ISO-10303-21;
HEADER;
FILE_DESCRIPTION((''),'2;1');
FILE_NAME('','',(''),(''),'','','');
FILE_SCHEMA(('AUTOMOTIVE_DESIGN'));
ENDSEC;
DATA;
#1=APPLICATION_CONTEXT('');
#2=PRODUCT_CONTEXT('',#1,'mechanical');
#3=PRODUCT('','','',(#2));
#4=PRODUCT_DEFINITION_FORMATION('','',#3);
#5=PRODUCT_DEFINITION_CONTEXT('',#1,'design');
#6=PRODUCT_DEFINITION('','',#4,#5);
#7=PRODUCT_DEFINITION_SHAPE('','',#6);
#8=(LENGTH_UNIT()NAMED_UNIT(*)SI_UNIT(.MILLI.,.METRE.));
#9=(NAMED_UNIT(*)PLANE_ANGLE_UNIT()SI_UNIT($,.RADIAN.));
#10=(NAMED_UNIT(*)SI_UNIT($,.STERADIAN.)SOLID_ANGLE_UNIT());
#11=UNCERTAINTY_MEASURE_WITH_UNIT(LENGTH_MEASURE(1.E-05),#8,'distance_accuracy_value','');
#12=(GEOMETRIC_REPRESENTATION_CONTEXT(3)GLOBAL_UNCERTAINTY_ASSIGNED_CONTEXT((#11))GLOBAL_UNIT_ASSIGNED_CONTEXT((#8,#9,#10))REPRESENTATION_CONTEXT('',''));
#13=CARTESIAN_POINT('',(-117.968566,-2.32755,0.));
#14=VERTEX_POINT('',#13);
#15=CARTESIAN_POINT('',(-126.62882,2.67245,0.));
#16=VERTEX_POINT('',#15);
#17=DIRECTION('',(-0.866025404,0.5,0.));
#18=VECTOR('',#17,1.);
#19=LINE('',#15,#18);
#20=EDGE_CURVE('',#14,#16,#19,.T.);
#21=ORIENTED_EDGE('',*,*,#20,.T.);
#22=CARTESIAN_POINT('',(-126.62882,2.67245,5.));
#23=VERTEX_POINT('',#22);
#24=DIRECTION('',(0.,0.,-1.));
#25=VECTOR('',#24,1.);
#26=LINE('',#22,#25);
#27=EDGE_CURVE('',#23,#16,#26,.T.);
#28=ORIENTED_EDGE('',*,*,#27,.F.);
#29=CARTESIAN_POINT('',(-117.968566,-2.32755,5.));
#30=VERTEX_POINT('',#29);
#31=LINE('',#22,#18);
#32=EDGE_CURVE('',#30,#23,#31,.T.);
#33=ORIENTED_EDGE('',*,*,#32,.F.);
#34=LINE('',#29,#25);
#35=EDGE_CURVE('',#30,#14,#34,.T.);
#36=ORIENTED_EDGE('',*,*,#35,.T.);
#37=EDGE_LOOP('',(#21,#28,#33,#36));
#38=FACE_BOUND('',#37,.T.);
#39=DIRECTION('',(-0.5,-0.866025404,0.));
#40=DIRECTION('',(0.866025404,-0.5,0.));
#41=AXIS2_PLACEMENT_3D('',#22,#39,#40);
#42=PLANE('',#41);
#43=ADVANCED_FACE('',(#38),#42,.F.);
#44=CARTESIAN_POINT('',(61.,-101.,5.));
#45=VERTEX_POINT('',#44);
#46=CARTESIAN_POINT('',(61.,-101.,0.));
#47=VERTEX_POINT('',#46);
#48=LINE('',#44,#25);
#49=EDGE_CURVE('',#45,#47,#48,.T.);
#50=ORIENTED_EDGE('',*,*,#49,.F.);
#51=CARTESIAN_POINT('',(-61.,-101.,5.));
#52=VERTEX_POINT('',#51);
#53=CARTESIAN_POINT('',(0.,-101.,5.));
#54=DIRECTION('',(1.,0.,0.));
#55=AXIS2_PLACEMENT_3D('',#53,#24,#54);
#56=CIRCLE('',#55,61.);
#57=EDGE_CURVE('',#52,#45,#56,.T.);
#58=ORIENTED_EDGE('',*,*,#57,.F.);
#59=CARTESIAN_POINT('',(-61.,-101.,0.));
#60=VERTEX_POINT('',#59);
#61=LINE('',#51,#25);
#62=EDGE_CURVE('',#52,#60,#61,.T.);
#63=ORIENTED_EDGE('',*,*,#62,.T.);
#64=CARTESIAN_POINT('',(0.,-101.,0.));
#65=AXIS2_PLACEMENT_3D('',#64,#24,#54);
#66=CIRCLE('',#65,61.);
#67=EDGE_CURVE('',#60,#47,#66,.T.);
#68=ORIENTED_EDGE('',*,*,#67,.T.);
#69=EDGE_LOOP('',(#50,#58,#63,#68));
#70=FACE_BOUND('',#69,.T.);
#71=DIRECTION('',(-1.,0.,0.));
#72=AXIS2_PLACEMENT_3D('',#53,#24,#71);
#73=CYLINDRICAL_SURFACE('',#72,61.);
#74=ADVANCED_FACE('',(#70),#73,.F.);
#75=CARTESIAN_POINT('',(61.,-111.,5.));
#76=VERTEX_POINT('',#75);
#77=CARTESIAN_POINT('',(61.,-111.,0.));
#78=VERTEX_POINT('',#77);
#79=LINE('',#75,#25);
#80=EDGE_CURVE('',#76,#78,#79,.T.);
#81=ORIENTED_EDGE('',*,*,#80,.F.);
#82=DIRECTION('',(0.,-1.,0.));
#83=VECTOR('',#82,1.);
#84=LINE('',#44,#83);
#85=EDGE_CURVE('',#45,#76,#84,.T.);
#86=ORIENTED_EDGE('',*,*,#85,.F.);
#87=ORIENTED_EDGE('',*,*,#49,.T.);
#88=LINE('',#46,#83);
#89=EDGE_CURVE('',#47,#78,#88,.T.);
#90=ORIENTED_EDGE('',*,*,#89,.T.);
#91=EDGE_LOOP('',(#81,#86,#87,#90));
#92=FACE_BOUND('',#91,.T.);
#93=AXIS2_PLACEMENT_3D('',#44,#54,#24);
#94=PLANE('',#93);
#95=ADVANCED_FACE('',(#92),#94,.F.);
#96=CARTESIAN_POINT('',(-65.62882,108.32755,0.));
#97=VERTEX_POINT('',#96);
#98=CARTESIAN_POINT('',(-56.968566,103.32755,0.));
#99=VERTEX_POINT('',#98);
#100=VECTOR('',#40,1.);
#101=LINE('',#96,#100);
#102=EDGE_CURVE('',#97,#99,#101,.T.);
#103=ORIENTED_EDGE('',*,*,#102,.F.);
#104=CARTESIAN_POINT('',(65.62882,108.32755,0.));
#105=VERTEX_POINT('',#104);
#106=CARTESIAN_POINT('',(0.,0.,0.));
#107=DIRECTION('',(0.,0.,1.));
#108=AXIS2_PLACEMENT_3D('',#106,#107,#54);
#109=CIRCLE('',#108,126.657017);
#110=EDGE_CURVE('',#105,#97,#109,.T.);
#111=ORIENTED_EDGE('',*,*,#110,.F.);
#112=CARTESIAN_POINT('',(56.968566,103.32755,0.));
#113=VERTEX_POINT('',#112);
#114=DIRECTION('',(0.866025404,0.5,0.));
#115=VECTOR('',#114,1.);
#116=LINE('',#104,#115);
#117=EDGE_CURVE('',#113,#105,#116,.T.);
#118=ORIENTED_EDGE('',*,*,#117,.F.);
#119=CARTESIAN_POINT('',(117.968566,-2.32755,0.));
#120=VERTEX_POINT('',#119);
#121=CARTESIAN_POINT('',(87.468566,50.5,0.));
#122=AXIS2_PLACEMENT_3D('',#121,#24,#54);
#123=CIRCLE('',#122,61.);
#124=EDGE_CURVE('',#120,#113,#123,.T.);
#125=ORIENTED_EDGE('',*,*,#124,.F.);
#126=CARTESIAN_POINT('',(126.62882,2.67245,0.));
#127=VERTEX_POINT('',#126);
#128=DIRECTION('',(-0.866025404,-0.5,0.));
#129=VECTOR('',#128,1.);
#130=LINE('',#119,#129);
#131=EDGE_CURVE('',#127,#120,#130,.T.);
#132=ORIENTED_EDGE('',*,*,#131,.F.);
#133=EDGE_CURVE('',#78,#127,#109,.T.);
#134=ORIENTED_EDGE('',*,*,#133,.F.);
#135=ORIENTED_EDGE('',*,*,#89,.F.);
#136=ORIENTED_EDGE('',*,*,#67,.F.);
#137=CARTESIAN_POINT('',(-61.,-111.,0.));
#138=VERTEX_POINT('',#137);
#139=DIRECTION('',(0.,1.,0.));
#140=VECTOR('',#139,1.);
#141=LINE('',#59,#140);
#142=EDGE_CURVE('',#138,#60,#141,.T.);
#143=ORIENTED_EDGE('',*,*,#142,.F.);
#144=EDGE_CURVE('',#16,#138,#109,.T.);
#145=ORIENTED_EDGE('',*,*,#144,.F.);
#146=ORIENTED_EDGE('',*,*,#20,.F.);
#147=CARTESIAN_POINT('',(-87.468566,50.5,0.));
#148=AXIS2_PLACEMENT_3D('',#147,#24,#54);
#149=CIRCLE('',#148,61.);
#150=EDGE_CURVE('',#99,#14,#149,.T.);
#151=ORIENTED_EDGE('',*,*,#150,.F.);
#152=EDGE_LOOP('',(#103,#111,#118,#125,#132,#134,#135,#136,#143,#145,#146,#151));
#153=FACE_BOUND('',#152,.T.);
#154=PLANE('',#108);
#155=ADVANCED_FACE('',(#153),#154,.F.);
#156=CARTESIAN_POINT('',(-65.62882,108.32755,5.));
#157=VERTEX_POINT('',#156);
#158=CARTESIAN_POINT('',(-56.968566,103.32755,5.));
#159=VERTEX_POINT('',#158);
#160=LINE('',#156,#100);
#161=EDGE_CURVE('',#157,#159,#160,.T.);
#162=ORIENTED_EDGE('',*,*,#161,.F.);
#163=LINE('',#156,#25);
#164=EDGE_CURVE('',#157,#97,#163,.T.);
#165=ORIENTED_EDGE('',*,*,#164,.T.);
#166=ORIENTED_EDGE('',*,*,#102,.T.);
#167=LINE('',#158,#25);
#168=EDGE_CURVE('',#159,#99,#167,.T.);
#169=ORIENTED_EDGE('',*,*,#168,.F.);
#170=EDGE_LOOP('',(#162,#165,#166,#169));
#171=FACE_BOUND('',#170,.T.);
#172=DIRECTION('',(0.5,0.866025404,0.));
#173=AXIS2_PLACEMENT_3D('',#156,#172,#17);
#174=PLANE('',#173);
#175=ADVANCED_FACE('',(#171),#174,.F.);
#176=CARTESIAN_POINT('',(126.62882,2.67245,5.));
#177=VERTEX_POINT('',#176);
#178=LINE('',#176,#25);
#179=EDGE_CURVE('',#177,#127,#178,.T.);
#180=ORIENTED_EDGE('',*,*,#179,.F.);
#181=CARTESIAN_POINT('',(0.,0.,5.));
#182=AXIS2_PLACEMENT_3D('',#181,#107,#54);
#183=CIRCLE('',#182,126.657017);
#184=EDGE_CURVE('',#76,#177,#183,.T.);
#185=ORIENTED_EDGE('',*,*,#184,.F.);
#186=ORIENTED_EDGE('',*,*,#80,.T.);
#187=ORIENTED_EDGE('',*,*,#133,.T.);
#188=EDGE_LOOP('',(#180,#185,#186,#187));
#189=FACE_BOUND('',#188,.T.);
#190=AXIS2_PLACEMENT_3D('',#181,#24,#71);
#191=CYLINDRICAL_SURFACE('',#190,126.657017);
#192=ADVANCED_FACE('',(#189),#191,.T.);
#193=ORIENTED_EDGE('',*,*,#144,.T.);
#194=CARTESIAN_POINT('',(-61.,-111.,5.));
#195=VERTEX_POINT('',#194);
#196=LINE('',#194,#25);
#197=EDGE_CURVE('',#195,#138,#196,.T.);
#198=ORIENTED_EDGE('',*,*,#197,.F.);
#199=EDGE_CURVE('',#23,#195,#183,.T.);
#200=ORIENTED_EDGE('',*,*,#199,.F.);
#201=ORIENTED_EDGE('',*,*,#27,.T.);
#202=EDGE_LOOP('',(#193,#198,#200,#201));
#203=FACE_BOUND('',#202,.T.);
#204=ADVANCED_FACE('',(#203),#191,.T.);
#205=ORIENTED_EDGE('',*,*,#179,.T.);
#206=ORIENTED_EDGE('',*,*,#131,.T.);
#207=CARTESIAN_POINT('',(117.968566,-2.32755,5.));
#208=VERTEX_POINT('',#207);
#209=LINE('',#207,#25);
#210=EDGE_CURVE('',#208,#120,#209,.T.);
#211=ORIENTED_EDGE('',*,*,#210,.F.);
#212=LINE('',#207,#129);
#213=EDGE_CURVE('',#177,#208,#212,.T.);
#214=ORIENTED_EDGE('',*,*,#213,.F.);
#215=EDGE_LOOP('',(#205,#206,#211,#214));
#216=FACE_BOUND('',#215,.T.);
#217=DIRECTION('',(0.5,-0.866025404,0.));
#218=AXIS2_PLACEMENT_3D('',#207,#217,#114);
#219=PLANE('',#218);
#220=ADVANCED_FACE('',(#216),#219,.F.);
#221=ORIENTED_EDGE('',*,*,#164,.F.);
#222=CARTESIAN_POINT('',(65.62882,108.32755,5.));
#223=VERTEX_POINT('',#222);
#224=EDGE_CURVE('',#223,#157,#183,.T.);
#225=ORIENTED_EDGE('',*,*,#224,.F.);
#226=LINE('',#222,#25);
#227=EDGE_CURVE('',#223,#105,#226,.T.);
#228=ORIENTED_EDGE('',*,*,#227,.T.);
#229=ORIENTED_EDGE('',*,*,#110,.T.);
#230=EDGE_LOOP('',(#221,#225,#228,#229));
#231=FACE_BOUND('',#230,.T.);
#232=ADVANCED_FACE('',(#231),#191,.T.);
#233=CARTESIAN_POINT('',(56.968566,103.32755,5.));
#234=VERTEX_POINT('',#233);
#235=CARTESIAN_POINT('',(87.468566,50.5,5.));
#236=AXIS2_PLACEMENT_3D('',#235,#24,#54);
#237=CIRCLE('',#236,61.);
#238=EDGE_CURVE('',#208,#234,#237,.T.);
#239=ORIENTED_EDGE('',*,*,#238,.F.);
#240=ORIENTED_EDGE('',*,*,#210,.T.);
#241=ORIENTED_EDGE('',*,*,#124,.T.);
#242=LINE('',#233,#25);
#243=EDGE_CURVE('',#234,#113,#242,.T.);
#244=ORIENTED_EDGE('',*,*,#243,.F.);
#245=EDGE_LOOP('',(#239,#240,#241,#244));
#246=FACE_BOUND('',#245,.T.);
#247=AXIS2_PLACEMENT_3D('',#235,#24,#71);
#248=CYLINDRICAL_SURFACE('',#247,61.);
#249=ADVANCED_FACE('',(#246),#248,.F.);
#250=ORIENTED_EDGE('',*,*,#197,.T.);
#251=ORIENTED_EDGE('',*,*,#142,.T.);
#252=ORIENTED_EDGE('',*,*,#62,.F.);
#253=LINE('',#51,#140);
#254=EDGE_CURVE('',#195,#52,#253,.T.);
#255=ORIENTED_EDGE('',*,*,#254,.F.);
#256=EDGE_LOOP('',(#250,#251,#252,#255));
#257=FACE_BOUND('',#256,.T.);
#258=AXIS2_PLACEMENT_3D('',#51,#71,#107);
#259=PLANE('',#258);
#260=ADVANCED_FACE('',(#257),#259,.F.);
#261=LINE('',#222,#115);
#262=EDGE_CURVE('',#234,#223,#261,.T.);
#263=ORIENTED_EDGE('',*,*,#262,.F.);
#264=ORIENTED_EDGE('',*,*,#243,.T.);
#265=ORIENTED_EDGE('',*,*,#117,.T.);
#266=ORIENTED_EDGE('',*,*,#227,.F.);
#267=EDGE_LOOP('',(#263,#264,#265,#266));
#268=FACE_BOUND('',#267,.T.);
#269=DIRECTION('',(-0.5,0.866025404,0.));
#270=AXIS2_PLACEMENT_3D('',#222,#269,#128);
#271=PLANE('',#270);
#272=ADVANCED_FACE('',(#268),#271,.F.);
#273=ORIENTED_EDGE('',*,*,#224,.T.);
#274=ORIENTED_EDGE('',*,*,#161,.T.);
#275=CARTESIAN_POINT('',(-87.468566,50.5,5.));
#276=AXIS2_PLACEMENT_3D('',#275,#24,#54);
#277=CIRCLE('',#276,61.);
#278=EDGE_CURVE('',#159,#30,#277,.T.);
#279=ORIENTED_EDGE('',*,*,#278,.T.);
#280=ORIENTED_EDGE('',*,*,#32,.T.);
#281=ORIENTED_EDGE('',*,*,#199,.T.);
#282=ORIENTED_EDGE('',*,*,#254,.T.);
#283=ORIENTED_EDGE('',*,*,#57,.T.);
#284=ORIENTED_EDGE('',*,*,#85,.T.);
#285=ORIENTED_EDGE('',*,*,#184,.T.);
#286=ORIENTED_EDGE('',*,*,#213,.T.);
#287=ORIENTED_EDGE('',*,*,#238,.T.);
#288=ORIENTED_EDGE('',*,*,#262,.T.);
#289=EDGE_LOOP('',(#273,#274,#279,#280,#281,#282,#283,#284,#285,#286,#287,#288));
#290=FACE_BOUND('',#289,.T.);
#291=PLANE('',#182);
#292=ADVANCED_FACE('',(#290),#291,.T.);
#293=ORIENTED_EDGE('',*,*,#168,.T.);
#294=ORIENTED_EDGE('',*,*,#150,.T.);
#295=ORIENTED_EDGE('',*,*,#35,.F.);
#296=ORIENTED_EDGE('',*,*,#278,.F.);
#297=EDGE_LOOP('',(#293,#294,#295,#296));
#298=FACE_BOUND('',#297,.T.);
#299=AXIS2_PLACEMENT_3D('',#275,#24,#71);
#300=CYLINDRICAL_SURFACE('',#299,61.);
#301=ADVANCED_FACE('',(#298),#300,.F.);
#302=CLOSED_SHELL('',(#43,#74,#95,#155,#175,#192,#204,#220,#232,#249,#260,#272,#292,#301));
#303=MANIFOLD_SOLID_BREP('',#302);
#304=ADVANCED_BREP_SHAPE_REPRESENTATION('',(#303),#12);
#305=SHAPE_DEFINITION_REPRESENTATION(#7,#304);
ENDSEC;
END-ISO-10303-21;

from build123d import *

# Parameters (mm, degrees)
BOSS_EXTRUDE2_DEPTH = 5


with BuildPart() as part:
    # Sketch1 → Boss-Extrude2 (new body)
    with BuildSketch(Plane.XY):
        with BuildLine():
            Line((-65.62881982, 108.327549631), (-56.968565782, 103.327549631))
            ThreePointArc((-56.968565782, 103.327549631), (-34.641016151, 20), (-117.968565782, -2.327549631))
            Line((-117.968565782, -2.327549631), (-126.62881982, 2.672450369))
            ThreePointArc((-126.62881982, 2.672450369), (-109.688194442, -63.328508588), (-61, -111))
            Line((-61, -111), (-61, -101))
            ThreePointArc((-61, -101), (0, -40), (61, -101))
            Line((61, -101), (61, -111))
            ThreePointArc((61, -111), (109.688194442, -63.328508588), (126.62881982, 2.672450369))
            Line((126.62881982, 2.672450369), (117.968565782, -2.327549631))
            ThreePointArc((117.968565782, -2.327549631), (34.641016151, 20), (56.968565782, 103.327549631))
            Line((56.968565782, 103.327549631), (65.62881982, 108.327549631))
            ThreePointArc((65.62881982, 108.327549631), (0, 126.657017176), (-65.62881982, 108.327549631))
        make_face()
    extrude(amount=BOSS_EXTRUDE2_DEPTH)


solid = part.part
